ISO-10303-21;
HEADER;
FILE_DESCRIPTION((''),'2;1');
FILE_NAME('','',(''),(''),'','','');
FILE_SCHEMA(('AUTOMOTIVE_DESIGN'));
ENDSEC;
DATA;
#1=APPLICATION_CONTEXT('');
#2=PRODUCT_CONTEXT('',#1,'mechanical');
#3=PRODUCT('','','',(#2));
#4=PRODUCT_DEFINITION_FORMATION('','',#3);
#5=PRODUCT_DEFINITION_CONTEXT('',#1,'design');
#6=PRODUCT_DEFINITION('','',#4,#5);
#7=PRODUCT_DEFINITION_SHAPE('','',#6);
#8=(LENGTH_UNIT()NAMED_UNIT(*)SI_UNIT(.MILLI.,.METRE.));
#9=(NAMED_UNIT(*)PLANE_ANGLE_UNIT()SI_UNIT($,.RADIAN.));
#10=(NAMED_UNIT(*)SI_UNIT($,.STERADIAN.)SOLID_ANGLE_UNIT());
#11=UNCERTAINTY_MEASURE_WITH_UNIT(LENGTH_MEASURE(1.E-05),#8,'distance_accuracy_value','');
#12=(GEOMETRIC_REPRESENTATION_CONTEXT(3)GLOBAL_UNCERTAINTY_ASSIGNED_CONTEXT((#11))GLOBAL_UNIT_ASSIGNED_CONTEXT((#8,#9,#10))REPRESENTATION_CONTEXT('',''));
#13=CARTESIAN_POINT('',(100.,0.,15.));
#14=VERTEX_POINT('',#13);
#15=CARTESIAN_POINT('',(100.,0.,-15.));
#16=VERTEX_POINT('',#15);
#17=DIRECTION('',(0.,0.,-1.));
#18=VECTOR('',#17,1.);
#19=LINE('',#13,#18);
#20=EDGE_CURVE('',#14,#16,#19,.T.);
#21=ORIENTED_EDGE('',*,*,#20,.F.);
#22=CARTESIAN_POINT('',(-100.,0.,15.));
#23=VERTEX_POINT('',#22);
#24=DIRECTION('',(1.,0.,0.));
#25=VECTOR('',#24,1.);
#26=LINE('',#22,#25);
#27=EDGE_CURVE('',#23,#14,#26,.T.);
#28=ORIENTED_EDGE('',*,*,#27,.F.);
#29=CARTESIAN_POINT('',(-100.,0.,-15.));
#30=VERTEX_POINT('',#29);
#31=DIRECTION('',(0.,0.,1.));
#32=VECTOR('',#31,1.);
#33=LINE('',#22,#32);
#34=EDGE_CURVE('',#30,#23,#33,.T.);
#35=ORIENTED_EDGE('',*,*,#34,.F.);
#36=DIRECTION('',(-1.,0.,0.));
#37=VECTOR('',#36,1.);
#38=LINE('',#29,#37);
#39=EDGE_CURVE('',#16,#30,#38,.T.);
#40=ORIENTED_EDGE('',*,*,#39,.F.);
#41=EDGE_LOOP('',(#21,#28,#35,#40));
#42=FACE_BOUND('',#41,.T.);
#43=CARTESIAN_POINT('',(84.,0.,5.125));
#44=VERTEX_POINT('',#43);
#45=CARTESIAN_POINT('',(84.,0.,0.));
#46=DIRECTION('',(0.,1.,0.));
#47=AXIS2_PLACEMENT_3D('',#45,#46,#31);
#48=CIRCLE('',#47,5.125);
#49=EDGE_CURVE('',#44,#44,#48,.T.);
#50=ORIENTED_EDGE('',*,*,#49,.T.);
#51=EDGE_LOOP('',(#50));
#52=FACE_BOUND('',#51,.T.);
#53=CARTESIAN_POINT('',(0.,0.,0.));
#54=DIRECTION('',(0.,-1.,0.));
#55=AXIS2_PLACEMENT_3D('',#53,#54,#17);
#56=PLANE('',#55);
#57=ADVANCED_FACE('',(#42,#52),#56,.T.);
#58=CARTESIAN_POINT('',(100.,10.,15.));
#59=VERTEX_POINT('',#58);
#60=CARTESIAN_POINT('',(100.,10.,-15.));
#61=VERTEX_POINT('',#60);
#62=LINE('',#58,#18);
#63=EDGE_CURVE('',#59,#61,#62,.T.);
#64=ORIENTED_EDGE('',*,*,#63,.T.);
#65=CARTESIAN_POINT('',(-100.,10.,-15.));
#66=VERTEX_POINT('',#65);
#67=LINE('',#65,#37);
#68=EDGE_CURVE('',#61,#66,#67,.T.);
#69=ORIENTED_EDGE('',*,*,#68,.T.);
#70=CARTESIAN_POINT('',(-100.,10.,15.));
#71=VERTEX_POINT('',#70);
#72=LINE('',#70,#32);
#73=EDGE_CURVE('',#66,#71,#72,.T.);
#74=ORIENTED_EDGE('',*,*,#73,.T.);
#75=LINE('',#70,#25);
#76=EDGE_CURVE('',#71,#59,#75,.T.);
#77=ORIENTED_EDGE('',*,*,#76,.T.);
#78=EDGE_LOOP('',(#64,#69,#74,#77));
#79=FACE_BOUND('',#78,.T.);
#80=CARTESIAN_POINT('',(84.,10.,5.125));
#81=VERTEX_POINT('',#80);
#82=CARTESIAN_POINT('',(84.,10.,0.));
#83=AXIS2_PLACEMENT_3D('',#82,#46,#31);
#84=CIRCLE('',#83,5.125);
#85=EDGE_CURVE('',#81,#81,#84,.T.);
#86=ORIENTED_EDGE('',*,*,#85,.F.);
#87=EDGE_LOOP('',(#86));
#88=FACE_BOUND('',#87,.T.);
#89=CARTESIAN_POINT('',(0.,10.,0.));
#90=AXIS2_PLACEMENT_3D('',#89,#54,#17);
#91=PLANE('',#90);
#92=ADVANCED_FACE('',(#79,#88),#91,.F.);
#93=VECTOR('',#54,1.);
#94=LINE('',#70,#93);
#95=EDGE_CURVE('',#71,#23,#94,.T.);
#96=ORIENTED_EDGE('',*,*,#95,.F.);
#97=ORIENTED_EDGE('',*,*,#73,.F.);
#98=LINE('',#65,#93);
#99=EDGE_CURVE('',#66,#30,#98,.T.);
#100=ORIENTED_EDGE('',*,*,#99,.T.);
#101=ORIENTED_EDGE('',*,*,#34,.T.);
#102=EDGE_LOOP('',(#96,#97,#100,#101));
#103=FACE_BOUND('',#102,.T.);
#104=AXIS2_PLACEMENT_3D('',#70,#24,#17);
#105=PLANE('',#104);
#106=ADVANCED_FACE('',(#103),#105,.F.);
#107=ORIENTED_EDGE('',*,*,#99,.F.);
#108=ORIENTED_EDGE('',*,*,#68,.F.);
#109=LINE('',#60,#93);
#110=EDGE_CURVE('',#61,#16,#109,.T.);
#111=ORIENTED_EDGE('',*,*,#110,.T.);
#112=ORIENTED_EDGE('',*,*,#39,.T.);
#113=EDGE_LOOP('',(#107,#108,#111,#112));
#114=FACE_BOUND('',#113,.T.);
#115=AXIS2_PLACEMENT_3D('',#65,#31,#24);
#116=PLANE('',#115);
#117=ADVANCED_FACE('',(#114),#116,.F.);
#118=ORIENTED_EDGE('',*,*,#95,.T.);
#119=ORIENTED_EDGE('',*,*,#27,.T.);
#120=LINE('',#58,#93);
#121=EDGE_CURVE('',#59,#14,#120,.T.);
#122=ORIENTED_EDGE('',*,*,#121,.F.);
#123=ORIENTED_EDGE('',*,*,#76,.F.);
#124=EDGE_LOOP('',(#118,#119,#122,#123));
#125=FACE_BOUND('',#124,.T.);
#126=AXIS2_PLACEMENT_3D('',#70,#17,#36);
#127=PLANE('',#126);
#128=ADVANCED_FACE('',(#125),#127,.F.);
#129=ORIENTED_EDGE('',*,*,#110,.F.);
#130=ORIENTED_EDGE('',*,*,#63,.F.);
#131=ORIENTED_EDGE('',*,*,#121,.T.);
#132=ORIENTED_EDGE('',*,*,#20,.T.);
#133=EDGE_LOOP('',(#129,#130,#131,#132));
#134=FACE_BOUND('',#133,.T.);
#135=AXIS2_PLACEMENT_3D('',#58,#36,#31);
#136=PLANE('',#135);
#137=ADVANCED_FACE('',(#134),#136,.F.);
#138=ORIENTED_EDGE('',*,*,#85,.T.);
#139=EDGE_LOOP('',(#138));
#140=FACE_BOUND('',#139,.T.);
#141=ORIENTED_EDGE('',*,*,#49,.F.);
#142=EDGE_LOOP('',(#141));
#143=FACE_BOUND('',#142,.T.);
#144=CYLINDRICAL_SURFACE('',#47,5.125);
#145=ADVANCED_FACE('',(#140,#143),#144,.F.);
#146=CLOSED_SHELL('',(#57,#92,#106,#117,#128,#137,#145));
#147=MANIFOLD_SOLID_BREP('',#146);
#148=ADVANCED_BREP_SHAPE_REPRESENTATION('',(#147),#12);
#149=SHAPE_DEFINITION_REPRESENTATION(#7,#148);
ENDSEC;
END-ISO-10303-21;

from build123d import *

# Parameters (mm, degrees)
SKETCH1_W           = 200
SKETCH1_H           = 30
BOSS_EXTRUDE1_DEPTH = 10
SKETCH2_R           = 5.125
CUT_EXTRUDE1_DEPTH  = 102.612007165


with BuildPart() as part:
    # Sketch1 → Boss-Extrude1 (new body)
    with BuildSketch(Plane(origin=(0, 0, 0), x_dir=(1, 0, 0), z_dir=(0, 1, 0))):
        Rectangle(SKETCH1_W, SKETCH1_H)
    extrude(amount=BOSS_EXTRUDE1_DEPTH)

    # Sketch2 → Cut-Extrude1 (cut, through all)
    with BuildSketch(Plane(origin=(0, 10, 0), x_dir=(1, 0, 0), z_dir=(0, 1, 0))):
        with Locations(Location((84, 0, 0), (0, 0, 270))):
            Circle(SKETCH2_R)
    extrude(amount=-CUT_EXTRUDE1_DEPTH, mode=Mode.SUBTRACT)


solid = part.part
